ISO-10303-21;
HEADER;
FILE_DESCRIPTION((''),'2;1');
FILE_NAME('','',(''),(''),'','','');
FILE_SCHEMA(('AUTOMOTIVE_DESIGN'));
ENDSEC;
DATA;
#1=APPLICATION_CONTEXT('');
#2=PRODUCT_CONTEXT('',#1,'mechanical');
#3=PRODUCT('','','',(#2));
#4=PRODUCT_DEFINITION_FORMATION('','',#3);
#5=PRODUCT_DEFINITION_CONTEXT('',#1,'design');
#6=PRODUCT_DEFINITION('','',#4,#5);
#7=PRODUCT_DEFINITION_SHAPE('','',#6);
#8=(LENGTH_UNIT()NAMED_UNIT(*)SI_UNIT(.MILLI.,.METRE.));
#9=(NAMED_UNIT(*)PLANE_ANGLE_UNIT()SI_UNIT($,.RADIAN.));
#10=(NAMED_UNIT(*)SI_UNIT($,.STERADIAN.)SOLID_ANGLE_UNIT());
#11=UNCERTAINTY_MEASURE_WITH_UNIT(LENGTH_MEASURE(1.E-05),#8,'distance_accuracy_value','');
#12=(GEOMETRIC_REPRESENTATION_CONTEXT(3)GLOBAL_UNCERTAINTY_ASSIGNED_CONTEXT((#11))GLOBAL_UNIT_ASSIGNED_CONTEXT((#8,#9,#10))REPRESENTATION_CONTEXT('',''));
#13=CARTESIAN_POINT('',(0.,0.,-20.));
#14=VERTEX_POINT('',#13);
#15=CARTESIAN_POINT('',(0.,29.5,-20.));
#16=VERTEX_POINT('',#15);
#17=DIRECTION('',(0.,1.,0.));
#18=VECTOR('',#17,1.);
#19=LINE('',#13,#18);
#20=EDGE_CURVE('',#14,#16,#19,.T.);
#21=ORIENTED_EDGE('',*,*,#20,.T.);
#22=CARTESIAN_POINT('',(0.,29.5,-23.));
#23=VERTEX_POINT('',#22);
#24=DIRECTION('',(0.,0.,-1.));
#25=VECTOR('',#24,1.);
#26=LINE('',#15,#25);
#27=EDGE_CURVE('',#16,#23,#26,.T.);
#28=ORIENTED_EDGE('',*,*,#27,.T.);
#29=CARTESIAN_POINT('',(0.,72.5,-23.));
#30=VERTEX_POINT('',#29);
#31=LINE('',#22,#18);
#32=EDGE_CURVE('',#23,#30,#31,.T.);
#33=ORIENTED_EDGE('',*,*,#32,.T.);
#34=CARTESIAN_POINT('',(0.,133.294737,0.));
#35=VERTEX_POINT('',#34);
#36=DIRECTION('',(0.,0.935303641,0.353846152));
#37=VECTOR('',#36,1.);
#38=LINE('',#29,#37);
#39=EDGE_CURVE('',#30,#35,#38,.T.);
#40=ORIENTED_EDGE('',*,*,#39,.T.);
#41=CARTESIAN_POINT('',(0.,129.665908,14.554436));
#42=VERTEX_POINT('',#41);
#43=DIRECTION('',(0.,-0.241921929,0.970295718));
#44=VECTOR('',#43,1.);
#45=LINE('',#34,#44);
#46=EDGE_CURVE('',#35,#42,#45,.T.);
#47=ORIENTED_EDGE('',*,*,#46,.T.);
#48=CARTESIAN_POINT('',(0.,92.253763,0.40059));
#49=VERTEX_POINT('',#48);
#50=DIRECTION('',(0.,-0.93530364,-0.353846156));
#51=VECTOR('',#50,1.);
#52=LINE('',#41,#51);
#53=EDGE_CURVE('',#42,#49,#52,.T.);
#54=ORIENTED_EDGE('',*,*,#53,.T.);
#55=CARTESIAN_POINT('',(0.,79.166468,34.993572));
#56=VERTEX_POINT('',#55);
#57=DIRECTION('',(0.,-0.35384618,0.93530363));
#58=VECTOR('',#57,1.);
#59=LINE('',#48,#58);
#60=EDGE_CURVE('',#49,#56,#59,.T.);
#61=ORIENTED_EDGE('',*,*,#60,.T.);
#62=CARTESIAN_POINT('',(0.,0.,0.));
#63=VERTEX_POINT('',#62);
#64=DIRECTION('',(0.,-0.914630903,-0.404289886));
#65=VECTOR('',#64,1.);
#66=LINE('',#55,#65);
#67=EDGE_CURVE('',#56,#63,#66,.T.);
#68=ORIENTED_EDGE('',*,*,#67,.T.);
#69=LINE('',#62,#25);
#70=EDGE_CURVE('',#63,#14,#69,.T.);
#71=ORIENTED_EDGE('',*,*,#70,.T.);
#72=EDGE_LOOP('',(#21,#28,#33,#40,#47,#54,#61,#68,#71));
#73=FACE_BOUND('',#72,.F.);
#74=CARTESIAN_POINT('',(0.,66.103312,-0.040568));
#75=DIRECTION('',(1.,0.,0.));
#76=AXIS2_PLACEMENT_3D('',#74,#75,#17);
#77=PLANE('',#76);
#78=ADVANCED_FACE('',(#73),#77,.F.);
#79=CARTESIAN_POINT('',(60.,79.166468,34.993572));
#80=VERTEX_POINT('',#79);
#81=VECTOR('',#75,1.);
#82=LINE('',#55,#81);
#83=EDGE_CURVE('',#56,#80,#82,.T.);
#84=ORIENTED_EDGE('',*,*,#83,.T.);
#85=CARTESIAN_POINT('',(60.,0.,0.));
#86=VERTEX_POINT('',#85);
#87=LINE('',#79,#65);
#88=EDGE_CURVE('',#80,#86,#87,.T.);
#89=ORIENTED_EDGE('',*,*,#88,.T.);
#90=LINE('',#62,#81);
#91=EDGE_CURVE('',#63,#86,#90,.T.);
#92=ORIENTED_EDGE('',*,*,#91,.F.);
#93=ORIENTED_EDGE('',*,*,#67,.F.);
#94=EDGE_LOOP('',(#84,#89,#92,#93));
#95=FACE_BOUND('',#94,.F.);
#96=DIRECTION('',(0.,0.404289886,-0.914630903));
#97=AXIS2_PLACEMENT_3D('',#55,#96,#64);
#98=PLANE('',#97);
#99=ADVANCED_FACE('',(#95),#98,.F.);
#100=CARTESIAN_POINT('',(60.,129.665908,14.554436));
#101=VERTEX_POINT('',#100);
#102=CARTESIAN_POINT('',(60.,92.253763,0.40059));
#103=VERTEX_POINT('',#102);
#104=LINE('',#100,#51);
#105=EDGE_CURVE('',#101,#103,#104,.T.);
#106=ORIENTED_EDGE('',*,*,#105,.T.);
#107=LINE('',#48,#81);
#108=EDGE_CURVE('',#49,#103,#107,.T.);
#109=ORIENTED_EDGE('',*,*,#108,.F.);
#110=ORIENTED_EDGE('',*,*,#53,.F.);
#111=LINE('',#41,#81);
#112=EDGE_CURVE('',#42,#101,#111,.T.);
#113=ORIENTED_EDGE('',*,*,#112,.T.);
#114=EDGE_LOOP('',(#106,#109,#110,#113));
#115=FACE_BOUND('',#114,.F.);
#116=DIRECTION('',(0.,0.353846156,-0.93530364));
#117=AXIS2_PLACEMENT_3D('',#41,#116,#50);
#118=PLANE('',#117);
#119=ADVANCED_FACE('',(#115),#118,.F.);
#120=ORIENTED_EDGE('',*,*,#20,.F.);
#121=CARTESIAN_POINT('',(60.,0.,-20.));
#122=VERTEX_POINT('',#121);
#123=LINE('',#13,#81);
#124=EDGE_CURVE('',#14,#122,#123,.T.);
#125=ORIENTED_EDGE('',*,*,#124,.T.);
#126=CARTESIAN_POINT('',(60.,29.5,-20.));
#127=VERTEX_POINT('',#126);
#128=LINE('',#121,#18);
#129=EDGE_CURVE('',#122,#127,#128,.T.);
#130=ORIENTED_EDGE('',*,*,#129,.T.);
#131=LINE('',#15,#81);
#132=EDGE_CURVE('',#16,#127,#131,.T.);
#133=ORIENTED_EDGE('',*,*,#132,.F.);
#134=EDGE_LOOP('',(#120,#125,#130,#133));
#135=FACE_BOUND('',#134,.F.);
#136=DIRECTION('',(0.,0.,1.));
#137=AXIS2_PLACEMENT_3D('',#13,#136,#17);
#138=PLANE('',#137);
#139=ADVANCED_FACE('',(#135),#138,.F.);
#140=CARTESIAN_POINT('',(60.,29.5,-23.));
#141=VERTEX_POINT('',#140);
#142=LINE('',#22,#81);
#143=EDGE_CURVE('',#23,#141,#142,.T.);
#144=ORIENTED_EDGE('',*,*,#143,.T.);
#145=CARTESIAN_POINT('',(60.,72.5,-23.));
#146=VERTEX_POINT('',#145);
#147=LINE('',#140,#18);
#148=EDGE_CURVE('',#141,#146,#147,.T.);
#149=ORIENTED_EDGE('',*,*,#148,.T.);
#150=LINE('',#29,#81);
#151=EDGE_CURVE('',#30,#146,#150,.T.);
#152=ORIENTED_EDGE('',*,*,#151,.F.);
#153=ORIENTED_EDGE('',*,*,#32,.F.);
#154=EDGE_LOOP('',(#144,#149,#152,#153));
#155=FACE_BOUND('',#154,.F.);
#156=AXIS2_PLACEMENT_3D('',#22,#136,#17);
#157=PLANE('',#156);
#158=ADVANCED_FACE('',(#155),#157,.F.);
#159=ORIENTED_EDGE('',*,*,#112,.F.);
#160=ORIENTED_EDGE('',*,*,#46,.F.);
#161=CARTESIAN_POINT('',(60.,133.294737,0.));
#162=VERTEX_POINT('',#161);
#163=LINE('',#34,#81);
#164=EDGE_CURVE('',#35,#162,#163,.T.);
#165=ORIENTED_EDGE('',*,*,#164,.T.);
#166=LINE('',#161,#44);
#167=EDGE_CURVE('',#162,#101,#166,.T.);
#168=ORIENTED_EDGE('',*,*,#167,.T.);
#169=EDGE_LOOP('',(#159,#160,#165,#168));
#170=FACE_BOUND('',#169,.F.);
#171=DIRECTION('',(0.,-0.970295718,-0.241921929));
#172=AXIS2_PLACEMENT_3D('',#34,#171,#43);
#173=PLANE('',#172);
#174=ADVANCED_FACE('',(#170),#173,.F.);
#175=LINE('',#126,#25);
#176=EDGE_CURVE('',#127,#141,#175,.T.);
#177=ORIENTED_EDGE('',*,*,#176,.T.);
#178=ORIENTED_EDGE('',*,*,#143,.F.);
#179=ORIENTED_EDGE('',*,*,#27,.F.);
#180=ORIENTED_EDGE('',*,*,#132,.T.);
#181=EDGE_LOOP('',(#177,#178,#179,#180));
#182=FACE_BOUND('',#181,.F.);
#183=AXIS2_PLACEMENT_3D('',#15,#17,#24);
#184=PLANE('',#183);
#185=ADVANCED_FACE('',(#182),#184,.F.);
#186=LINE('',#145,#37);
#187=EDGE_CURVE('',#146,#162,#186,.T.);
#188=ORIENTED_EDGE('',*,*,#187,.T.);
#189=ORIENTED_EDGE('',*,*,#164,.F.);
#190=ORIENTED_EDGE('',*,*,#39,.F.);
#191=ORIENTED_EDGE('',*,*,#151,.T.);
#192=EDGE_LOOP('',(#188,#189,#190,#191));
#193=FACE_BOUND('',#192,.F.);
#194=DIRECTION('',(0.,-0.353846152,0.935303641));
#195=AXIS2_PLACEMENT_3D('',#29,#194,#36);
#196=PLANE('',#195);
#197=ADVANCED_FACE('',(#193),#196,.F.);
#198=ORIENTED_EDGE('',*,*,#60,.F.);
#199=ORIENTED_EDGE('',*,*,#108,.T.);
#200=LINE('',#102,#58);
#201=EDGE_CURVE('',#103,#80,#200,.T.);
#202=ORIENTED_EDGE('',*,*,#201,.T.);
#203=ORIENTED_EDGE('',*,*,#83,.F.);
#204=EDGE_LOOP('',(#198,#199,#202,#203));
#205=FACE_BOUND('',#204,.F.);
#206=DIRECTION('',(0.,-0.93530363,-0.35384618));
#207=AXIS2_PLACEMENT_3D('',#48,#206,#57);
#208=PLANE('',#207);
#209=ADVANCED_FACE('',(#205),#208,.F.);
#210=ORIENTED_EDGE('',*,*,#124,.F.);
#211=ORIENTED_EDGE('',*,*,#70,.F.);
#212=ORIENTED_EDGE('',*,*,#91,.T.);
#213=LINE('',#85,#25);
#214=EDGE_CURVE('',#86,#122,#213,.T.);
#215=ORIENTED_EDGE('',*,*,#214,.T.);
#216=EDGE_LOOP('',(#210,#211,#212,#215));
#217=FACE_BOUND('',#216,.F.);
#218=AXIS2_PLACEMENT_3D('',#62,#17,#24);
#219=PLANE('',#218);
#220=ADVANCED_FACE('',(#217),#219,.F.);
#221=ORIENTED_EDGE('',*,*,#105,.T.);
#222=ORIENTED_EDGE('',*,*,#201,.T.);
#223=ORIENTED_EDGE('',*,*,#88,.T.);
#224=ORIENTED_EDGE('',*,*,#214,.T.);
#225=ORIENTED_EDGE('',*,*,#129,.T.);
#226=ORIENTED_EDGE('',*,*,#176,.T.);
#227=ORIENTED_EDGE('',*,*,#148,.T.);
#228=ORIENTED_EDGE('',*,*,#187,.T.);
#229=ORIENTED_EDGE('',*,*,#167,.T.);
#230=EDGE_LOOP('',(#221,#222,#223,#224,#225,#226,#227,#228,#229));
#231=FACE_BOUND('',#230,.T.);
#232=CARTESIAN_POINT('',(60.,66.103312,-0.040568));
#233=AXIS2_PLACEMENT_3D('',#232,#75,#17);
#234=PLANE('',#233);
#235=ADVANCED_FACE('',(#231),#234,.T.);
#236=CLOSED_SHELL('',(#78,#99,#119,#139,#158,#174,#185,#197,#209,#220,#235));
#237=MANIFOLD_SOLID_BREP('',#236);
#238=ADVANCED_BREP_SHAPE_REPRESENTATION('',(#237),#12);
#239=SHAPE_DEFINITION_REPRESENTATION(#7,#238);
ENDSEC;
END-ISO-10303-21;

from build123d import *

# Parameters (mm, degrees)
F1_DEPTH = 60


with BuildPart() as f1:
    # F0 (on Right) → F1 (new body)
    with BuildSketch(Plane.YZ):
        Polygon((0, 0), (0, -20), (29.5, -20), (29.5, -23), (72.5, -23), (133.294737, 0), (129.665908, 14.554436), (92.253763, 0.40059), (79.166468, 34.993572), align=None)
    extrude(amount=F1_DEPTH)


solid = f1.part
